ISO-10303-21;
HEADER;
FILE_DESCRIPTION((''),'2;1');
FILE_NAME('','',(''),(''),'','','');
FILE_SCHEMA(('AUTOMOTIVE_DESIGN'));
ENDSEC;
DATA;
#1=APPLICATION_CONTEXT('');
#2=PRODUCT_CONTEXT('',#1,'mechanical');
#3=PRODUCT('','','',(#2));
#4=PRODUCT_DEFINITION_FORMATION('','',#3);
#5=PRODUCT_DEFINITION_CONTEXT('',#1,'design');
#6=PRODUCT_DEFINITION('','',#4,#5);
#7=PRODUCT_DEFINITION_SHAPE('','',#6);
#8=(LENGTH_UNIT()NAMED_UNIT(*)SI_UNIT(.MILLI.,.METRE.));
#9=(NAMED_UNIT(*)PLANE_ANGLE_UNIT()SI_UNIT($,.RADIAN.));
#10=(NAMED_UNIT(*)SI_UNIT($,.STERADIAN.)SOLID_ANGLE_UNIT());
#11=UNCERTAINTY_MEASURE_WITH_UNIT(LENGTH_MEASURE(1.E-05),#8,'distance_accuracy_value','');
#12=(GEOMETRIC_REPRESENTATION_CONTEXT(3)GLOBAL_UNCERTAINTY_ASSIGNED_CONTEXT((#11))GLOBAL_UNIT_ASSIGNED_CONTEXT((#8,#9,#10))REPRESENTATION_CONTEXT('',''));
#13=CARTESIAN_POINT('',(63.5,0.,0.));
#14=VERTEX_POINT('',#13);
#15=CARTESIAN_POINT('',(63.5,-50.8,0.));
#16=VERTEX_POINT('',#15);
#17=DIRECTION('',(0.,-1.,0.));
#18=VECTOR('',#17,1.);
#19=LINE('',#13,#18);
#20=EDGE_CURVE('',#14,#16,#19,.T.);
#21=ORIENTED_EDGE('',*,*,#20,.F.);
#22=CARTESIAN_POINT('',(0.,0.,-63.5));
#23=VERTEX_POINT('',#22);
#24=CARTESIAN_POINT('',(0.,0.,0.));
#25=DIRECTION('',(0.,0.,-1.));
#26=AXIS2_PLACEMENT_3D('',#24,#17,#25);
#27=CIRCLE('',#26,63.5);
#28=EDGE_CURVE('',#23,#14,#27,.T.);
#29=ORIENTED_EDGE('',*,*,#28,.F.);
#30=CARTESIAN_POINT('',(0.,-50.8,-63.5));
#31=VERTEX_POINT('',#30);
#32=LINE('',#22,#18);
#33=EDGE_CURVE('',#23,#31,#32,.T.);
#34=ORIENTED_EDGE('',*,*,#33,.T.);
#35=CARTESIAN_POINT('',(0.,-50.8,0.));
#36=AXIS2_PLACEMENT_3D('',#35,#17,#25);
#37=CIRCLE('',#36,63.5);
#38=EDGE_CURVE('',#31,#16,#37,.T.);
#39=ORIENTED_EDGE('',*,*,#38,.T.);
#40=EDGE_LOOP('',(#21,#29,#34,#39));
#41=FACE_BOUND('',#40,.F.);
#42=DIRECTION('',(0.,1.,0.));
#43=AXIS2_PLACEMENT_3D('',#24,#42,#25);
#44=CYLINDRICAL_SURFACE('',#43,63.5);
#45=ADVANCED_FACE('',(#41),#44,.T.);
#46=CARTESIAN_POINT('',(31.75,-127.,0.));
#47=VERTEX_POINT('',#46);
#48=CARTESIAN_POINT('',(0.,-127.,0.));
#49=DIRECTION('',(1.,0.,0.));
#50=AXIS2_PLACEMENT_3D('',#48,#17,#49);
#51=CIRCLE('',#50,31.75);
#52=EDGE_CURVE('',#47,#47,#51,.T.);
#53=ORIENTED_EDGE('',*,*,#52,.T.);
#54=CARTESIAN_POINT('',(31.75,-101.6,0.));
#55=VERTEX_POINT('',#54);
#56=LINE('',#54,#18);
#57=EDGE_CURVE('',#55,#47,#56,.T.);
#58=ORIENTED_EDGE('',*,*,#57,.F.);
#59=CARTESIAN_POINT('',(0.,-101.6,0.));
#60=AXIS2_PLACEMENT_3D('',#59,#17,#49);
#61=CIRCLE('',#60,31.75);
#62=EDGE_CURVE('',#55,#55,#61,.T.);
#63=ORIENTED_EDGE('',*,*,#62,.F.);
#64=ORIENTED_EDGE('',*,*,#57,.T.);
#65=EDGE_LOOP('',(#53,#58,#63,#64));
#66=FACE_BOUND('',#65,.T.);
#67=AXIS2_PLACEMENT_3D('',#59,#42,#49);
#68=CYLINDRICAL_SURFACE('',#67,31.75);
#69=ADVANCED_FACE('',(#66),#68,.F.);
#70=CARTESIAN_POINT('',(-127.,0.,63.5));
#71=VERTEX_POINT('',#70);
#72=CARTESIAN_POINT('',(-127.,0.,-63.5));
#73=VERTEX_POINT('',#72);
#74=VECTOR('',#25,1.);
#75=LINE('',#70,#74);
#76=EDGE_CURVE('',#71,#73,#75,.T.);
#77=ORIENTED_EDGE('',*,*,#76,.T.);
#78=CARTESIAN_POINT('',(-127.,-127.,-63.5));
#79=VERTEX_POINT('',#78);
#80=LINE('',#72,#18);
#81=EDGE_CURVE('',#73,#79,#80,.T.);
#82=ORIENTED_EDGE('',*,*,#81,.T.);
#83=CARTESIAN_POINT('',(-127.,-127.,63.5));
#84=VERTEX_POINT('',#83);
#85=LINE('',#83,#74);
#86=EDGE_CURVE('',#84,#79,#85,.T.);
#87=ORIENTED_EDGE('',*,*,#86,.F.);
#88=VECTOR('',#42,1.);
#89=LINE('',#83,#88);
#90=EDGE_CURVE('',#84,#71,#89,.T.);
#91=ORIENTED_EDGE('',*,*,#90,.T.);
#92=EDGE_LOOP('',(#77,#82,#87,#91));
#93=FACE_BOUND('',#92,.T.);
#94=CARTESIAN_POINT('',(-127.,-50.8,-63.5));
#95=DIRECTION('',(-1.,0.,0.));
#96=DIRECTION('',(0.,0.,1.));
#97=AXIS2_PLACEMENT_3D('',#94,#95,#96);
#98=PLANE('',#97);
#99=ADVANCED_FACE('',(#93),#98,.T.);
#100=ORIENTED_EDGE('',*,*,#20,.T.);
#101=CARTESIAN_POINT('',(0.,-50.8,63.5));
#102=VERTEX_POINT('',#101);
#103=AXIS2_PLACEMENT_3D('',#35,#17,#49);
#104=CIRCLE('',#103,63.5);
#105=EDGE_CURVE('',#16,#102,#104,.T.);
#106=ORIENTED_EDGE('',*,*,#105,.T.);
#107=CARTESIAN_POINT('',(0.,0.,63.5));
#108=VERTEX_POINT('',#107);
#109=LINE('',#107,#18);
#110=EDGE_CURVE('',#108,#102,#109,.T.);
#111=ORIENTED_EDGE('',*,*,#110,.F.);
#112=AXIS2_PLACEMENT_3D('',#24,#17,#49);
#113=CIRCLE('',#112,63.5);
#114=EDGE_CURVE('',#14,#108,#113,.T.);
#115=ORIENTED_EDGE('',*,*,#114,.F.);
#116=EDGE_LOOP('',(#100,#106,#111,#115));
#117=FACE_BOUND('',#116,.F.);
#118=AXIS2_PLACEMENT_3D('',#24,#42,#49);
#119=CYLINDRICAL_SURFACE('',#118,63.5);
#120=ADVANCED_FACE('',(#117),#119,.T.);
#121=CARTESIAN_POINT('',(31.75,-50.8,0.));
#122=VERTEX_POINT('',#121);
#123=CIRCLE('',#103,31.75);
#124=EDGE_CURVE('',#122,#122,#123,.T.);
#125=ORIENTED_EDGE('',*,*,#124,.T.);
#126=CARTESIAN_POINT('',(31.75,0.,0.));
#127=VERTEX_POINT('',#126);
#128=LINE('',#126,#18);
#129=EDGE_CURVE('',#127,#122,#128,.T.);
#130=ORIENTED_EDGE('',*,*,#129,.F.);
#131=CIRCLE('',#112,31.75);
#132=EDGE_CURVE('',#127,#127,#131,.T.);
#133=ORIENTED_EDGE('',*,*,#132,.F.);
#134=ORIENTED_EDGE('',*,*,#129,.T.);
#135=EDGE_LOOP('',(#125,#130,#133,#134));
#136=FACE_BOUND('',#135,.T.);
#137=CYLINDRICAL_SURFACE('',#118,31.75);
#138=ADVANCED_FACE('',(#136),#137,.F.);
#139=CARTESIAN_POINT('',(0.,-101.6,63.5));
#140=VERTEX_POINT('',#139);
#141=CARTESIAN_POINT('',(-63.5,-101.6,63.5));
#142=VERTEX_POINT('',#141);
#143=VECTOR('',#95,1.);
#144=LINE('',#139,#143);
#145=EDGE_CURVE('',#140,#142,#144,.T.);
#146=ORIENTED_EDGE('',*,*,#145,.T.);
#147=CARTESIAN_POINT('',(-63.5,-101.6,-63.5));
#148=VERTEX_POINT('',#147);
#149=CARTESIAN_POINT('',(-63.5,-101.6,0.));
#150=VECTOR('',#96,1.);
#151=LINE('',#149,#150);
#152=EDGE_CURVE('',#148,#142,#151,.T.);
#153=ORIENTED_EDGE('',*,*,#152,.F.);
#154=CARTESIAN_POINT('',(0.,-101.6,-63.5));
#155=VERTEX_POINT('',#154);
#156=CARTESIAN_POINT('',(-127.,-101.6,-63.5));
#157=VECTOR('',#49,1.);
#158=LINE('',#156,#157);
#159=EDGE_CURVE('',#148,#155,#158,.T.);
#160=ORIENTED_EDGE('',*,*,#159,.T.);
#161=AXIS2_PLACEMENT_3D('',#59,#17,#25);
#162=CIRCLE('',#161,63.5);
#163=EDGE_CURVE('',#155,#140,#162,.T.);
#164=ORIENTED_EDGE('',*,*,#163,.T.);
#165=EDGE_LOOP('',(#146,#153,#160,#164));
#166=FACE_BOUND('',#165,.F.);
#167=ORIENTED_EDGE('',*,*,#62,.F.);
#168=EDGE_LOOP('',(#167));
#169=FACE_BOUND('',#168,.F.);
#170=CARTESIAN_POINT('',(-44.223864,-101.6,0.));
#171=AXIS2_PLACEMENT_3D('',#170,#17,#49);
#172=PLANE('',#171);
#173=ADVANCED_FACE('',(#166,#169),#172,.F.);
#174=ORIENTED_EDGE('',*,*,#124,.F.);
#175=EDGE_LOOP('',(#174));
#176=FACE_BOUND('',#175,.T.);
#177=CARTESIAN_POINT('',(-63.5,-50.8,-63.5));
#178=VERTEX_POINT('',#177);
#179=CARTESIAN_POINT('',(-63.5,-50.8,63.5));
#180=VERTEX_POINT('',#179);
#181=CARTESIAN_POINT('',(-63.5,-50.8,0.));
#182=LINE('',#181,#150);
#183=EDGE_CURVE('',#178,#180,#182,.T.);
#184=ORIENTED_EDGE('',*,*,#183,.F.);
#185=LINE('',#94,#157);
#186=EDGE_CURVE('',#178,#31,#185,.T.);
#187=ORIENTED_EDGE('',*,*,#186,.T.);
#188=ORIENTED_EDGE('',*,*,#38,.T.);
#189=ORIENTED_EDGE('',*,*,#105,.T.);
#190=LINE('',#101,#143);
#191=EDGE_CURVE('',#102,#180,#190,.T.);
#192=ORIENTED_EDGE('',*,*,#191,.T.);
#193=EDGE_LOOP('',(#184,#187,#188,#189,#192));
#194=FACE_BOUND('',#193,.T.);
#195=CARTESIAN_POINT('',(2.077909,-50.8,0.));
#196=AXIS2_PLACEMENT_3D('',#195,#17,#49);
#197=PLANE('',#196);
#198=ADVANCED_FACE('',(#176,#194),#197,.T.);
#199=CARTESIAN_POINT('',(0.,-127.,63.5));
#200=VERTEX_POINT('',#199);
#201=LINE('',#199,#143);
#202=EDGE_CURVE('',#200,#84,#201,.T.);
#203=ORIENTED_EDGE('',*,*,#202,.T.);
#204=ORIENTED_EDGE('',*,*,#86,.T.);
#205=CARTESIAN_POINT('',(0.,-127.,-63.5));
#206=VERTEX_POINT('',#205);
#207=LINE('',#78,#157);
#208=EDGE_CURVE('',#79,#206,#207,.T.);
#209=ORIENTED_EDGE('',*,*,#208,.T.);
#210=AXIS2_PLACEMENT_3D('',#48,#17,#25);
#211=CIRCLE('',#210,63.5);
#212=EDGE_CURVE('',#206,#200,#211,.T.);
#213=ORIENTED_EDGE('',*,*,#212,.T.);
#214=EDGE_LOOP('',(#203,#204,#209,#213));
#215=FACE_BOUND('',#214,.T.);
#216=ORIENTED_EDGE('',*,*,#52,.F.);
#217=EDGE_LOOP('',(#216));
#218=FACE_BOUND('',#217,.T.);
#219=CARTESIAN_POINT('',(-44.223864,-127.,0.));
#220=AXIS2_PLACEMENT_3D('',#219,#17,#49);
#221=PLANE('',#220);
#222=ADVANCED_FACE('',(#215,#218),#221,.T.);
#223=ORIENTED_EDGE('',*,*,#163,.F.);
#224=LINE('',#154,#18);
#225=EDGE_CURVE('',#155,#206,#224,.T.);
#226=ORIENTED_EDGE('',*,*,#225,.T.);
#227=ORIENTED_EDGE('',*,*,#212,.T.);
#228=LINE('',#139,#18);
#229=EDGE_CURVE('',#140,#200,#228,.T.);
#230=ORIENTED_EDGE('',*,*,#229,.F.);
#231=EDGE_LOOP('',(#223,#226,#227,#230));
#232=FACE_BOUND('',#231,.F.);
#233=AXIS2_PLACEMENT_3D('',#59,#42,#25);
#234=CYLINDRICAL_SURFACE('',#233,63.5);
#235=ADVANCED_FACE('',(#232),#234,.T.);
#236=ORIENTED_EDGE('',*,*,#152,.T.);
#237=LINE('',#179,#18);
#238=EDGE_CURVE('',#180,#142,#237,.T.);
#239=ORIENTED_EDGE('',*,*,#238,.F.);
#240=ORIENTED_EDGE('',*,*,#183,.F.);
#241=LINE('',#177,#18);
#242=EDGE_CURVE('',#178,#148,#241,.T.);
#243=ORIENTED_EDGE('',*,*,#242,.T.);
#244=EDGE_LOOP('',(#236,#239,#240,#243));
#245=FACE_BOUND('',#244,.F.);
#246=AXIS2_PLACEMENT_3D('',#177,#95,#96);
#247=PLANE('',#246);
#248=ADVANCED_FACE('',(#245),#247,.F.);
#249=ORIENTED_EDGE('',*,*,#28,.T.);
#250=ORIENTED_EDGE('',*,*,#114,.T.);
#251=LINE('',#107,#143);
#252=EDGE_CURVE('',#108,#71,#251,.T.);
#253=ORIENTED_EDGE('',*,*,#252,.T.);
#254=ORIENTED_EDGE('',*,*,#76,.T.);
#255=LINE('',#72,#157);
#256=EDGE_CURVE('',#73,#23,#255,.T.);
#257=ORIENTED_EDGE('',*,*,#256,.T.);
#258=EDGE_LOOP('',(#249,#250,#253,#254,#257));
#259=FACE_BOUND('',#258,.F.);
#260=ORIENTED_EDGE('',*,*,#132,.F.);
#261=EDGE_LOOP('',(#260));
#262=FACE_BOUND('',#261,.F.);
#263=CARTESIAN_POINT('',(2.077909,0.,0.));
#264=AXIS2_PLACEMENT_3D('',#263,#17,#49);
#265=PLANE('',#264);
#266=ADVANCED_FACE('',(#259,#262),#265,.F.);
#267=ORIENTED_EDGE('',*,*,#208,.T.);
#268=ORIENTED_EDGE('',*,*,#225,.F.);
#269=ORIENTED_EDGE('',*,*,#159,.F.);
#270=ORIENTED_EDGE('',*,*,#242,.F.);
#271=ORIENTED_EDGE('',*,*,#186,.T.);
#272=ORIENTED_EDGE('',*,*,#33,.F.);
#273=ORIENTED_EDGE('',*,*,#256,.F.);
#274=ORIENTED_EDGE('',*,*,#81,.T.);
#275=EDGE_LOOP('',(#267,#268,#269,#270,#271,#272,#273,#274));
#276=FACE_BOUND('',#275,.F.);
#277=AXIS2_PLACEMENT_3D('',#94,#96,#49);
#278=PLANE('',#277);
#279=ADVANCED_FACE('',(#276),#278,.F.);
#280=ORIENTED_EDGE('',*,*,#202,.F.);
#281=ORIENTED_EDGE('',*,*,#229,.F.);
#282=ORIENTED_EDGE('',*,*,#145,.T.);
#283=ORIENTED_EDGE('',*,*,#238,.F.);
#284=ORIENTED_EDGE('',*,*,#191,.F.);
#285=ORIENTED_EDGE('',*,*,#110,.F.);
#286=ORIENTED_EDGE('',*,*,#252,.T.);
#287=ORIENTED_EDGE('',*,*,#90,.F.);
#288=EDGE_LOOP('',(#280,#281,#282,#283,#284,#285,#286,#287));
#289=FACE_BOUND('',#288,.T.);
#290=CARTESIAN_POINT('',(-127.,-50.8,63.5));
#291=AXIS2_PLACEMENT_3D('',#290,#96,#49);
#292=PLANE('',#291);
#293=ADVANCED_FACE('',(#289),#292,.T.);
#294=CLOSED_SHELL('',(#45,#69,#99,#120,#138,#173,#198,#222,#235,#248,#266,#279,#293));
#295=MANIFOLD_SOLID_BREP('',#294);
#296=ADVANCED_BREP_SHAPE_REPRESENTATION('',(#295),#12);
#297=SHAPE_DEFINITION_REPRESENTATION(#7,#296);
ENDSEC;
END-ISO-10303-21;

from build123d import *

# Parameters (mm, degrees)
F0_R     = 31.75
F1_DEPTH = 50.8
F3_R     = 31.75
F4_DEPTH = 25.4
F5_W     = 63.5
F5_H     = 127
F6_DEPTH = 50.8
F7_W     = 63.5
F7_H     = 127
F8_DEPTH = 50.8


with BuildPart() as f1:
    # F0 (on Front) → F1 (new body)
    with BuildSketch(Plane.XZ):
        with BuildLine():
            ThreePointArc((0, -63.5), (44.9012806053, -44.9012806053), (63.5, 0))
            ThreePointArc((63.5, 0), (44.9012806053, 44.9012806053), (0, 63.5))
            ThreePointArc((0, 63.5), (-63.5, 0), (0, -63.5))
        make_face()
        Circle(F0_R, mode=Mode.SUBTRACT)
        with BuildLine():
            ThreePointArc((0, -63.5), (-63.5, 0), (0, 63.5))
            Line((0, 63.5), (-127, 63.5))
            Line((-127, 63.5), (-127, -63.5))
            Line((-127, -63.5), (0, -63.5))
        make_face()
    extrude(amount=F1_DEPTH)



with BuildPart() as f4:
    # F3 (on offset) → F4 (new body)
    with BuildSketch(Plane.XZ.offset(101.6)):
        with BuildLine():
            Line((-127, 63.5), (-127, -63.5))
            Line((-127, -63.5), (0, -63.5))
            ThreePointArc((0, -63.5), (63.5, 0), (0, 63.5))
            Line((0, 63.5), (-127, 63.5))
        make_face()
        Circle(F3_R, mode=Mode.SUBTRACT)
    extrude(amount=F4_DEPTH)


with BuildPart() as f6:
    # F5 (on face) → F6 (new body, through all)
    with BuildSketch(Plane.XZ.offset(50.8)):
        with Locations((-95.25, 0)):
            Rectangle(F5_W, F5_H)
    extrude(amount=F6_DEPTH)


with BuildPart() as f1_1:
    add(f1.part)

    add(f4.part)  # F8 merges F4

    add(f6.part)  # F8 merges F6
    # F7 (on face) → F8 (join, through all)
    with BuildSketch(Plane.XZ.offset(50.8)):
        with Locations((-95.25, 0)):
            Rectangle(F7_W, F7_H)
    extrude(amount=F8_DEPTH)


solid = f1_1.part
